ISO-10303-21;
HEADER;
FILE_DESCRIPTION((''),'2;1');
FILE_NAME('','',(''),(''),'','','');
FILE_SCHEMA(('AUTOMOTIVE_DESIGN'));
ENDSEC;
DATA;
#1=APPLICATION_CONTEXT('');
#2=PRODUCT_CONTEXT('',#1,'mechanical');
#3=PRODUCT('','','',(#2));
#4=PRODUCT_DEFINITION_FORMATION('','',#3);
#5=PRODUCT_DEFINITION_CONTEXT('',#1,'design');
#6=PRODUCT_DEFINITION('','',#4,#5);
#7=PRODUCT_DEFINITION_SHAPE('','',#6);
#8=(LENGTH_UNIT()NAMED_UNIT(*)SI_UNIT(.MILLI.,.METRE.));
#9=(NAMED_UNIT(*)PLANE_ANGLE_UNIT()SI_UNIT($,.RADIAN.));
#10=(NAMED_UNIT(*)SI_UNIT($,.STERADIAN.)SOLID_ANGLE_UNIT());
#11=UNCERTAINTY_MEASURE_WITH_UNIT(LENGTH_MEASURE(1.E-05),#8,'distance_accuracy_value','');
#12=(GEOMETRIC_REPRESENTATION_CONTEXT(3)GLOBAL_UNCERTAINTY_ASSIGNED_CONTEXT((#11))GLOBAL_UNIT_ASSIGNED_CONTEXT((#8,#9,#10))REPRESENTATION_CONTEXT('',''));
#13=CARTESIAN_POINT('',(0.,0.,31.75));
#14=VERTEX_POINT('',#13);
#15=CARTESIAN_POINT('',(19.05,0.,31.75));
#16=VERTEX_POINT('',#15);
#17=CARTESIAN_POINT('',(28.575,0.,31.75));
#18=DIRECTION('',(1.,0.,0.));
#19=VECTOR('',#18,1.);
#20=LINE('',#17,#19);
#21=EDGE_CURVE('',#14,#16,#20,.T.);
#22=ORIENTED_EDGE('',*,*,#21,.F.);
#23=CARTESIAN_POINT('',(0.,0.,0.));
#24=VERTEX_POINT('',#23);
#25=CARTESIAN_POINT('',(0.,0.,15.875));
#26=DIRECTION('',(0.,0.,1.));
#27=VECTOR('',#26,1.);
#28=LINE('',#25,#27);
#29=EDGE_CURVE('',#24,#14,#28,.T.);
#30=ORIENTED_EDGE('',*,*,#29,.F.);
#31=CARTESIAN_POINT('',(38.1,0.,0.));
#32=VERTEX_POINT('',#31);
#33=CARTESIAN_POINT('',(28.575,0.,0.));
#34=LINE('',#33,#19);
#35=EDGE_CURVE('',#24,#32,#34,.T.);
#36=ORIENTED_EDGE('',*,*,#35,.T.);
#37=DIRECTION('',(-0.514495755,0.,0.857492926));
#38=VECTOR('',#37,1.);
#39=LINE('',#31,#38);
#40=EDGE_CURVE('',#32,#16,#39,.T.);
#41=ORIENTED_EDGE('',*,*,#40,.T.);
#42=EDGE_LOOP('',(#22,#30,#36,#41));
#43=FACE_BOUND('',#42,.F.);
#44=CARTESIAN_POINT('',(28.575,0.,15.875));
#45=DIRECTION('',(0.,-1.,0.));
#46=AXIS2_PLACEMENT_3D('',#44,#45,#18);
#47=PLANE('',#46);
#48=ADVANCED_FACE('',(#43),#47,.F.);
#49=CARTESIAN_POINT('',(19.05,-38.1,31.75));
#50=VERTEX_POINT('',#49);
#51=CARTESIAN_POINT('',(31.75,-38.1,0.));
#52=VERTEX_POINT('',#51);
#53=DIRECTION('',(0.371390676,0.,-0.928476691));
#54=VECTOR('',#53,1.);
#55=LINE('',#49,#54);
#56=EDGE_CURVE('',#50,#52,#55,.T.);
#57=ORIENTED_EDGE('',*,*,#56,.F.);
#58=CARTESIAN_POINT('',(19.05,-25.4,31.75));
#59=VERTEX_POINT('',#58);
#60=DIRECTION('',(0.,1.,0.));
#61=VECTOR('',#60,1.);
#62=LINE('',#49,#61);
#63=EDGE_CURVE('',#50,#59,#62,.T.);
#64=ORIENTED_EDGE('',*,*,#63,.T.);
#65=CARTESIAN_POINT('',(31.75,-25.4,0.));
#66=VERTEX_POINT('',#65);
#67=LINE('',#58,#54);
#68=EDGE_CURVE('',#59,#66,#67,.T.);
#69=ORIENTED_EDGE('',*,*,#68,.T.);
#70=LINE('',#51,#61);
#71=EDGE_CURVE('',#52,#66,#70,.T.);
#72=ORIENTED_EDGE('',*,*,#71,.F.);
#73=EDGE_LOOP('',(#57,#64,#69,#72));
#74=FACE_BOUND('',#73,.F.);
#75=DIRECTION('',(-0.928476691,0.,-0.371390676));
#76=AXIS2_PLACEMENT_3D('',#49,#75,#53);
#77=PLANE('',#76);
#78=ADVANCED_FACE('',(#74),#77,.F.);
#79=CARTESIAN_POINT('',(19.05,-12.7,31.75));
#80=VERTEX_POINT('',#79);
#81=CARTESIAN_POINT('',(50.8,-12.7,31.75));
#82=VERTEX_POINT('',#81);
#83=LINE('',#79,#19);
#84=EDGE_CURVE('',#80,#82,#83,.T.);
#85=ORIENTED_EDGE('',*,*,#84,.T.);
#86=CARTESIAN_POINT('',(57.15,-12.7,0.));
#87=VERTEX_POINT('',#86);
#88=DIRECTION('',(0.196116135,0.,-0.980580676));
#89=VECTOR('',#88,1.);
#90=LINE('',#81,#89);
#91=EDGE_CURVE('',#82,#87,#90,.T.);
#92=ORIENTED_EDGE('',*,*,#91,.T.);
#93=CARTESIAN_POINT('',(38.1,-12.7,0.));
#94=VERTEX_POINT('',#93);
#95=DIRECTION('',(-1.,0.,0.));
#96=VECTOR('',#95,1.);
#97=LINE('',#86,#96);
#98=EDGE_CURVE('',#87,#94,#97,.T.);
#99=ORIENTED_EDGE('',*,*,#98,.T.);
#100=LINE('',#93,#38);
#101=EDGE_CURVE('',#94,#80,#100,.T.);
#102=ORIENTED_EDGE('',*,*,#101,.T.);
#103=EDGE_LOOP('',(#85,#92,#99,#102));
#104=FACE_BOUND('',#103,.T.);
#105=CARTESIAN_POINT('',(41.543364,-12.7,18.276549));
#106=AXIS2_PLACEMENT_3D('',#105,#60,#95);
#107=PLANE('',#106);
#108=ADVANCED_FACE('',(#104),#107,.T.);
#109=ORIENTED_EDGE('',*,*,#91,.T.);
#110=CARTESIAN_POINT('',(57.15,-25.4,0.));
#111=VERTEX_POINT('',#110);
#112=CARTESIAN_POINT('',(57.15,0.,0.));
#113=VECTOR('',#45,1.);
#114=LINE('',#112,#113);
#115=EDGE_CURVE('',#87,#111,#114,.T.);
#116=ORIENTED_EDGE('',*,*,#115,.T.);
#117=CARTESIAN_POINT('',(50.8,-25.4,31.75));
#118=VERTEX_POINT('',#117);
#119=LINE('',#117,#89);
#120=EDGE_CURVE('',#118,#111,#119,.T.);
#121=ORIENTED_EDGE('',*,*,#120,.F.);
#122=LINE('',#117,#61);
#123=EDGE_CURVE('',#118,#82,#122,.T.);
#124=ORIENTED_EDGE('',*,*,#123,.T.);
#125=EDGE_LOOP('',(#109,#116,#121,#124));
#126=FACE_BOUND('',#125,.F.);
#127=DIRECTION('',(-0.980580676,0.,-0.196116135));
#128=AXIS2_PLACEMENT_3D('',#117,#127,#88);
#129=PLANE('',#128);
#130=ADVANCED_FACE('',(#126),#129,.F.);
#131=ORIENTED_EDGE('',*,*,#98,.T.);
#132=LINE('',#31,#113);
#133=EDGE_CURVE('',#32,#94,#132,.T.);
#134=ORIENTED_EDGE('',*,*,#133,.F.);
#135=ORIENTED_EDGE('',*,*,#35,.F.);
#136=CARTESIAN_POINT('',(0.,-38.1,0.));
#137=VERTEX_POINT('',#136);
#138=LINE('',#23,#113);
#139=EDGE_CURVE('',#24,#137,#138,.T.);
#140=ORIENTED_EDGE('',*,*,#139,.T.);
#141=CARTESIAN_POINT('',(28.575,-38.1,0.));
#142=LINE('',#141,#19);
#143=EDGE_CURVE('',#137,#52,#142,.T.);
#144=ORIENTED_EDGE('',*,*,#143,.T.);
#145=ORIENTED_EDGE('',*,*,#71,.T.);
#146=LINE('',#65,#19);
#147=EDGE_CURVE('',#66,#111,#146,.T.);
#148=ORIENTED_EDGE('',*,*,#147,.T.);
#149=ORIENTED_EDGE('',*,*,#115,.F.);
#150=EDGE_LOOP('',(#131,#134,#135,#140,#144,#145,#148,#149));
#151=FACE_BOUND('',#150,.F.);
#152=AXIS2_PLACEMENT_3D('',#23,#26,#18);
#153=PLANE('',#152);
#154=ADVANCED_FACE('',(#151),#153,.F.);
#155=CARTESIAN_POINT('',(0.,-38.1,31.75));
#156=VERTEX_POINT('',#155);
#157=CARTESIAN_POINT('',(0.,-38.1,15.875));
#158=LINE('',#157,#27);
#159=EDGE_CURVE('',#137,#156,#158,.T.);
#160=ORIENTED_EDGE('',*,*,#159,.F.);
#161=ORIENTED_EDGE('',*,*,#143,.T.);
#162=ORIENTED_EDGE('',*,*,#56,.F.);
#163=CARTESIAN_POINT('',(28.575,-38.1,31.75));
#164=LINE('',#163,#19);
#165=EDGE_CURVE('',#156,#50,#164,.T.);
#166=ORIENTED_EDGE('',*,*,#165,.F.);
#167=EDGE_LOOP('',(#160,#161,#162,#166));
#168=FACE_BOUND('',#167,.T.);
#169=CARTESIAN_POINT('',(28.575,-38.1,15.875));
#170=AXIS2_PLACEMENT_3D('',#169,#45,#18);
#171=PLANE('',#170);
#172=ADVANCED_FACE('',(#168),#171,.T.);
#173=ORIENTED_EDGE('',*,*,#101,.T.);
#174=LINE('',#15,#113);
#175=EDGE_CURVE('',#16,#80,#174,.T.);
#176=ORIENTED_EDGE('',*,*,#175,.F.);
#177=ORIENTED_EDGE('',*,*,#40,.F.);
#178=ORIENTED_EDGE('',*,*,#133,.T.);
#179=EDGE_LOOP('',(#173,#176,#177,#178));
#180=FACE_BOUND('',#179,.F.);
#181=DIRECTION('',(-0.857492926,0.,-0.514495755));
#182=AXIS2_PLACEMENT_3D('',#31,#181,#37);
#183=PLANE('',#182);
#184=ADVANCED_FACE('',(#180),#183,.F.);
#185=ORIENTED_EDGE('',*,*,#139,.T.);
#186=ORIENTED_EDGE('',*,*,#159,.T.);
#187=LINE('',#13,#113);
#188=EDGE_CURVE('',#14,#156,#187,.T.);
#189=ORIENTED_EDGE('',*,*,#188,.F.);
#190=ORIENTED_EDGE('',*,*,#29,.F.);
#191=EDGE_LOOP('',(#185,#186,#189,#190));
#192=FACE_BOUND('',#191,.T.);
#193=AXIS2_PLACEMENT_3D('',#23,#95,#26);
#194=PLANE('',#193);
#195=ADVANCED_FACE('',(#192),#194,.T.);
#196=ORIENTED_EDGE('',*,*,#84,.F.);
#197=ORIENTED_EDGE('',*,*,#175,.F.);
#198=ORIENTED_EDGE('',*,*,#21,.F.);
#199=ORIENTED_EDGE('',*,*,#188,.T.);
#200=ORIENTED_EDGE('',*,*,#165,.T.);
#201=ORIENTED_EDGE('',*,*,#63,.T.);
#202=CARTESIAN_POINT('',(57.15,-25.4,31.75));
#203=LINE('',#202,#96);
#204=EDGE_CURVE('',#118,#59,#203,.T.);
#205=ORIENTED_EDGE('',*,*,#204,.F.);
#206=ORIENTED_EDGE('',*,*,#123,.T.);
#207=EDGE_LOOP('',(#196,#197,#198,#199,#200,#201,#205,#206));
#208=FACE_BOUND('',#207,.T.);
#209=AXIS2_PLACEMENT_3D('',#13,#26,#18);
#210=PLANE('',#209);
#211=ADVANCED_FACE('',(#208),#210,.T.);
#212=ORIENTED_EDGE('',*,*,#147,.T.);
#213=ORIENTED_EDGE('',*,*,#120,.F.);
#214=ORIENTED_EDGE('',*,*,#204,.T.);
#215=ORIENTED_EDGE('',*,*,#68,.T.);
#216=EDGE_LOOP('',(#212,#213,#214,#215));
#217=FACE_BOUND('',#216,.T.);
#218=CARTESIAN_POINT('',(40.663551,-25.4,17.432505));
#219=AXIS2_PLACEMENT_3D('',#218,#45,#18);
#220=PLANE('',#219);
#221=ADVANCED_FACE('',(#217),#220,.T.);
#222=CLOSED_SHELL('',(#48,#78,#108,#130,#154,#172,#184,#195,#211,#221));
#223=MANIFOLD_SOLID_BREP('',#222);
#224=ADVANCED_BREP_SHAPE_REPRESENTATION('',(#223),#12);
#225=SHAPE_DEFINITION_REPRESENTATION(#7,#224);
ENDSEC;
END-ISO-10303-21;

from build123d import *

# Parameters (mm, degrees)
F0_W     = 57.15
F0_H     = 31.75
F1_DEPTH = 38.1
F3_DEPTH = 12.7
F5_DEPTH = 12.7
F7_DEPTH = 12.7


with BuildPart() as f1:
    # F0 (on Front) → F1 (new body)
    with BuildSketch(Plane.XZ):
        with Locations((28.575, 15.875)):
            Rectangle(F0_W, F0_H)
    extrude(amount=F1_DEPTH)

    # F2 (on face) → F3 (cut)
    with BuildSketch(Plane.XZ.offset(38.1)):
        Polygon((57.15, 31.75), (19.05, 31.75), (31.75, 0), (57.15, 0), align=None)
    extrude(amount=-F3_DEPTH, mode=Mode.SUBTRACT)

    # F4 (on face) → F5 (cut)
    with BuildSketch(Plane.XZ.offset(25.4)):
        Polygon((57.15, 31.75), (50.8, 31.75), (57.15, 0), align=None)
    extrude(amount=-F5_DEPTH, mode=Mode.SUBTRACT)

    # F6 (on face) → F7 (cut)
    with BuildSketch(Plane(origin=(0, 0, 0), x_dir=(-1, 0, 0), z_dir=(0, 1, 0))):
        Polygon((-38.1, 0), (-19.05, 31.75), (-57.15, 31.75), (-57.15, 0), align=None)
    extrude(amount=-F7_DEPTH, mode=Mode.SUBTRACT)


solid = f1.part
